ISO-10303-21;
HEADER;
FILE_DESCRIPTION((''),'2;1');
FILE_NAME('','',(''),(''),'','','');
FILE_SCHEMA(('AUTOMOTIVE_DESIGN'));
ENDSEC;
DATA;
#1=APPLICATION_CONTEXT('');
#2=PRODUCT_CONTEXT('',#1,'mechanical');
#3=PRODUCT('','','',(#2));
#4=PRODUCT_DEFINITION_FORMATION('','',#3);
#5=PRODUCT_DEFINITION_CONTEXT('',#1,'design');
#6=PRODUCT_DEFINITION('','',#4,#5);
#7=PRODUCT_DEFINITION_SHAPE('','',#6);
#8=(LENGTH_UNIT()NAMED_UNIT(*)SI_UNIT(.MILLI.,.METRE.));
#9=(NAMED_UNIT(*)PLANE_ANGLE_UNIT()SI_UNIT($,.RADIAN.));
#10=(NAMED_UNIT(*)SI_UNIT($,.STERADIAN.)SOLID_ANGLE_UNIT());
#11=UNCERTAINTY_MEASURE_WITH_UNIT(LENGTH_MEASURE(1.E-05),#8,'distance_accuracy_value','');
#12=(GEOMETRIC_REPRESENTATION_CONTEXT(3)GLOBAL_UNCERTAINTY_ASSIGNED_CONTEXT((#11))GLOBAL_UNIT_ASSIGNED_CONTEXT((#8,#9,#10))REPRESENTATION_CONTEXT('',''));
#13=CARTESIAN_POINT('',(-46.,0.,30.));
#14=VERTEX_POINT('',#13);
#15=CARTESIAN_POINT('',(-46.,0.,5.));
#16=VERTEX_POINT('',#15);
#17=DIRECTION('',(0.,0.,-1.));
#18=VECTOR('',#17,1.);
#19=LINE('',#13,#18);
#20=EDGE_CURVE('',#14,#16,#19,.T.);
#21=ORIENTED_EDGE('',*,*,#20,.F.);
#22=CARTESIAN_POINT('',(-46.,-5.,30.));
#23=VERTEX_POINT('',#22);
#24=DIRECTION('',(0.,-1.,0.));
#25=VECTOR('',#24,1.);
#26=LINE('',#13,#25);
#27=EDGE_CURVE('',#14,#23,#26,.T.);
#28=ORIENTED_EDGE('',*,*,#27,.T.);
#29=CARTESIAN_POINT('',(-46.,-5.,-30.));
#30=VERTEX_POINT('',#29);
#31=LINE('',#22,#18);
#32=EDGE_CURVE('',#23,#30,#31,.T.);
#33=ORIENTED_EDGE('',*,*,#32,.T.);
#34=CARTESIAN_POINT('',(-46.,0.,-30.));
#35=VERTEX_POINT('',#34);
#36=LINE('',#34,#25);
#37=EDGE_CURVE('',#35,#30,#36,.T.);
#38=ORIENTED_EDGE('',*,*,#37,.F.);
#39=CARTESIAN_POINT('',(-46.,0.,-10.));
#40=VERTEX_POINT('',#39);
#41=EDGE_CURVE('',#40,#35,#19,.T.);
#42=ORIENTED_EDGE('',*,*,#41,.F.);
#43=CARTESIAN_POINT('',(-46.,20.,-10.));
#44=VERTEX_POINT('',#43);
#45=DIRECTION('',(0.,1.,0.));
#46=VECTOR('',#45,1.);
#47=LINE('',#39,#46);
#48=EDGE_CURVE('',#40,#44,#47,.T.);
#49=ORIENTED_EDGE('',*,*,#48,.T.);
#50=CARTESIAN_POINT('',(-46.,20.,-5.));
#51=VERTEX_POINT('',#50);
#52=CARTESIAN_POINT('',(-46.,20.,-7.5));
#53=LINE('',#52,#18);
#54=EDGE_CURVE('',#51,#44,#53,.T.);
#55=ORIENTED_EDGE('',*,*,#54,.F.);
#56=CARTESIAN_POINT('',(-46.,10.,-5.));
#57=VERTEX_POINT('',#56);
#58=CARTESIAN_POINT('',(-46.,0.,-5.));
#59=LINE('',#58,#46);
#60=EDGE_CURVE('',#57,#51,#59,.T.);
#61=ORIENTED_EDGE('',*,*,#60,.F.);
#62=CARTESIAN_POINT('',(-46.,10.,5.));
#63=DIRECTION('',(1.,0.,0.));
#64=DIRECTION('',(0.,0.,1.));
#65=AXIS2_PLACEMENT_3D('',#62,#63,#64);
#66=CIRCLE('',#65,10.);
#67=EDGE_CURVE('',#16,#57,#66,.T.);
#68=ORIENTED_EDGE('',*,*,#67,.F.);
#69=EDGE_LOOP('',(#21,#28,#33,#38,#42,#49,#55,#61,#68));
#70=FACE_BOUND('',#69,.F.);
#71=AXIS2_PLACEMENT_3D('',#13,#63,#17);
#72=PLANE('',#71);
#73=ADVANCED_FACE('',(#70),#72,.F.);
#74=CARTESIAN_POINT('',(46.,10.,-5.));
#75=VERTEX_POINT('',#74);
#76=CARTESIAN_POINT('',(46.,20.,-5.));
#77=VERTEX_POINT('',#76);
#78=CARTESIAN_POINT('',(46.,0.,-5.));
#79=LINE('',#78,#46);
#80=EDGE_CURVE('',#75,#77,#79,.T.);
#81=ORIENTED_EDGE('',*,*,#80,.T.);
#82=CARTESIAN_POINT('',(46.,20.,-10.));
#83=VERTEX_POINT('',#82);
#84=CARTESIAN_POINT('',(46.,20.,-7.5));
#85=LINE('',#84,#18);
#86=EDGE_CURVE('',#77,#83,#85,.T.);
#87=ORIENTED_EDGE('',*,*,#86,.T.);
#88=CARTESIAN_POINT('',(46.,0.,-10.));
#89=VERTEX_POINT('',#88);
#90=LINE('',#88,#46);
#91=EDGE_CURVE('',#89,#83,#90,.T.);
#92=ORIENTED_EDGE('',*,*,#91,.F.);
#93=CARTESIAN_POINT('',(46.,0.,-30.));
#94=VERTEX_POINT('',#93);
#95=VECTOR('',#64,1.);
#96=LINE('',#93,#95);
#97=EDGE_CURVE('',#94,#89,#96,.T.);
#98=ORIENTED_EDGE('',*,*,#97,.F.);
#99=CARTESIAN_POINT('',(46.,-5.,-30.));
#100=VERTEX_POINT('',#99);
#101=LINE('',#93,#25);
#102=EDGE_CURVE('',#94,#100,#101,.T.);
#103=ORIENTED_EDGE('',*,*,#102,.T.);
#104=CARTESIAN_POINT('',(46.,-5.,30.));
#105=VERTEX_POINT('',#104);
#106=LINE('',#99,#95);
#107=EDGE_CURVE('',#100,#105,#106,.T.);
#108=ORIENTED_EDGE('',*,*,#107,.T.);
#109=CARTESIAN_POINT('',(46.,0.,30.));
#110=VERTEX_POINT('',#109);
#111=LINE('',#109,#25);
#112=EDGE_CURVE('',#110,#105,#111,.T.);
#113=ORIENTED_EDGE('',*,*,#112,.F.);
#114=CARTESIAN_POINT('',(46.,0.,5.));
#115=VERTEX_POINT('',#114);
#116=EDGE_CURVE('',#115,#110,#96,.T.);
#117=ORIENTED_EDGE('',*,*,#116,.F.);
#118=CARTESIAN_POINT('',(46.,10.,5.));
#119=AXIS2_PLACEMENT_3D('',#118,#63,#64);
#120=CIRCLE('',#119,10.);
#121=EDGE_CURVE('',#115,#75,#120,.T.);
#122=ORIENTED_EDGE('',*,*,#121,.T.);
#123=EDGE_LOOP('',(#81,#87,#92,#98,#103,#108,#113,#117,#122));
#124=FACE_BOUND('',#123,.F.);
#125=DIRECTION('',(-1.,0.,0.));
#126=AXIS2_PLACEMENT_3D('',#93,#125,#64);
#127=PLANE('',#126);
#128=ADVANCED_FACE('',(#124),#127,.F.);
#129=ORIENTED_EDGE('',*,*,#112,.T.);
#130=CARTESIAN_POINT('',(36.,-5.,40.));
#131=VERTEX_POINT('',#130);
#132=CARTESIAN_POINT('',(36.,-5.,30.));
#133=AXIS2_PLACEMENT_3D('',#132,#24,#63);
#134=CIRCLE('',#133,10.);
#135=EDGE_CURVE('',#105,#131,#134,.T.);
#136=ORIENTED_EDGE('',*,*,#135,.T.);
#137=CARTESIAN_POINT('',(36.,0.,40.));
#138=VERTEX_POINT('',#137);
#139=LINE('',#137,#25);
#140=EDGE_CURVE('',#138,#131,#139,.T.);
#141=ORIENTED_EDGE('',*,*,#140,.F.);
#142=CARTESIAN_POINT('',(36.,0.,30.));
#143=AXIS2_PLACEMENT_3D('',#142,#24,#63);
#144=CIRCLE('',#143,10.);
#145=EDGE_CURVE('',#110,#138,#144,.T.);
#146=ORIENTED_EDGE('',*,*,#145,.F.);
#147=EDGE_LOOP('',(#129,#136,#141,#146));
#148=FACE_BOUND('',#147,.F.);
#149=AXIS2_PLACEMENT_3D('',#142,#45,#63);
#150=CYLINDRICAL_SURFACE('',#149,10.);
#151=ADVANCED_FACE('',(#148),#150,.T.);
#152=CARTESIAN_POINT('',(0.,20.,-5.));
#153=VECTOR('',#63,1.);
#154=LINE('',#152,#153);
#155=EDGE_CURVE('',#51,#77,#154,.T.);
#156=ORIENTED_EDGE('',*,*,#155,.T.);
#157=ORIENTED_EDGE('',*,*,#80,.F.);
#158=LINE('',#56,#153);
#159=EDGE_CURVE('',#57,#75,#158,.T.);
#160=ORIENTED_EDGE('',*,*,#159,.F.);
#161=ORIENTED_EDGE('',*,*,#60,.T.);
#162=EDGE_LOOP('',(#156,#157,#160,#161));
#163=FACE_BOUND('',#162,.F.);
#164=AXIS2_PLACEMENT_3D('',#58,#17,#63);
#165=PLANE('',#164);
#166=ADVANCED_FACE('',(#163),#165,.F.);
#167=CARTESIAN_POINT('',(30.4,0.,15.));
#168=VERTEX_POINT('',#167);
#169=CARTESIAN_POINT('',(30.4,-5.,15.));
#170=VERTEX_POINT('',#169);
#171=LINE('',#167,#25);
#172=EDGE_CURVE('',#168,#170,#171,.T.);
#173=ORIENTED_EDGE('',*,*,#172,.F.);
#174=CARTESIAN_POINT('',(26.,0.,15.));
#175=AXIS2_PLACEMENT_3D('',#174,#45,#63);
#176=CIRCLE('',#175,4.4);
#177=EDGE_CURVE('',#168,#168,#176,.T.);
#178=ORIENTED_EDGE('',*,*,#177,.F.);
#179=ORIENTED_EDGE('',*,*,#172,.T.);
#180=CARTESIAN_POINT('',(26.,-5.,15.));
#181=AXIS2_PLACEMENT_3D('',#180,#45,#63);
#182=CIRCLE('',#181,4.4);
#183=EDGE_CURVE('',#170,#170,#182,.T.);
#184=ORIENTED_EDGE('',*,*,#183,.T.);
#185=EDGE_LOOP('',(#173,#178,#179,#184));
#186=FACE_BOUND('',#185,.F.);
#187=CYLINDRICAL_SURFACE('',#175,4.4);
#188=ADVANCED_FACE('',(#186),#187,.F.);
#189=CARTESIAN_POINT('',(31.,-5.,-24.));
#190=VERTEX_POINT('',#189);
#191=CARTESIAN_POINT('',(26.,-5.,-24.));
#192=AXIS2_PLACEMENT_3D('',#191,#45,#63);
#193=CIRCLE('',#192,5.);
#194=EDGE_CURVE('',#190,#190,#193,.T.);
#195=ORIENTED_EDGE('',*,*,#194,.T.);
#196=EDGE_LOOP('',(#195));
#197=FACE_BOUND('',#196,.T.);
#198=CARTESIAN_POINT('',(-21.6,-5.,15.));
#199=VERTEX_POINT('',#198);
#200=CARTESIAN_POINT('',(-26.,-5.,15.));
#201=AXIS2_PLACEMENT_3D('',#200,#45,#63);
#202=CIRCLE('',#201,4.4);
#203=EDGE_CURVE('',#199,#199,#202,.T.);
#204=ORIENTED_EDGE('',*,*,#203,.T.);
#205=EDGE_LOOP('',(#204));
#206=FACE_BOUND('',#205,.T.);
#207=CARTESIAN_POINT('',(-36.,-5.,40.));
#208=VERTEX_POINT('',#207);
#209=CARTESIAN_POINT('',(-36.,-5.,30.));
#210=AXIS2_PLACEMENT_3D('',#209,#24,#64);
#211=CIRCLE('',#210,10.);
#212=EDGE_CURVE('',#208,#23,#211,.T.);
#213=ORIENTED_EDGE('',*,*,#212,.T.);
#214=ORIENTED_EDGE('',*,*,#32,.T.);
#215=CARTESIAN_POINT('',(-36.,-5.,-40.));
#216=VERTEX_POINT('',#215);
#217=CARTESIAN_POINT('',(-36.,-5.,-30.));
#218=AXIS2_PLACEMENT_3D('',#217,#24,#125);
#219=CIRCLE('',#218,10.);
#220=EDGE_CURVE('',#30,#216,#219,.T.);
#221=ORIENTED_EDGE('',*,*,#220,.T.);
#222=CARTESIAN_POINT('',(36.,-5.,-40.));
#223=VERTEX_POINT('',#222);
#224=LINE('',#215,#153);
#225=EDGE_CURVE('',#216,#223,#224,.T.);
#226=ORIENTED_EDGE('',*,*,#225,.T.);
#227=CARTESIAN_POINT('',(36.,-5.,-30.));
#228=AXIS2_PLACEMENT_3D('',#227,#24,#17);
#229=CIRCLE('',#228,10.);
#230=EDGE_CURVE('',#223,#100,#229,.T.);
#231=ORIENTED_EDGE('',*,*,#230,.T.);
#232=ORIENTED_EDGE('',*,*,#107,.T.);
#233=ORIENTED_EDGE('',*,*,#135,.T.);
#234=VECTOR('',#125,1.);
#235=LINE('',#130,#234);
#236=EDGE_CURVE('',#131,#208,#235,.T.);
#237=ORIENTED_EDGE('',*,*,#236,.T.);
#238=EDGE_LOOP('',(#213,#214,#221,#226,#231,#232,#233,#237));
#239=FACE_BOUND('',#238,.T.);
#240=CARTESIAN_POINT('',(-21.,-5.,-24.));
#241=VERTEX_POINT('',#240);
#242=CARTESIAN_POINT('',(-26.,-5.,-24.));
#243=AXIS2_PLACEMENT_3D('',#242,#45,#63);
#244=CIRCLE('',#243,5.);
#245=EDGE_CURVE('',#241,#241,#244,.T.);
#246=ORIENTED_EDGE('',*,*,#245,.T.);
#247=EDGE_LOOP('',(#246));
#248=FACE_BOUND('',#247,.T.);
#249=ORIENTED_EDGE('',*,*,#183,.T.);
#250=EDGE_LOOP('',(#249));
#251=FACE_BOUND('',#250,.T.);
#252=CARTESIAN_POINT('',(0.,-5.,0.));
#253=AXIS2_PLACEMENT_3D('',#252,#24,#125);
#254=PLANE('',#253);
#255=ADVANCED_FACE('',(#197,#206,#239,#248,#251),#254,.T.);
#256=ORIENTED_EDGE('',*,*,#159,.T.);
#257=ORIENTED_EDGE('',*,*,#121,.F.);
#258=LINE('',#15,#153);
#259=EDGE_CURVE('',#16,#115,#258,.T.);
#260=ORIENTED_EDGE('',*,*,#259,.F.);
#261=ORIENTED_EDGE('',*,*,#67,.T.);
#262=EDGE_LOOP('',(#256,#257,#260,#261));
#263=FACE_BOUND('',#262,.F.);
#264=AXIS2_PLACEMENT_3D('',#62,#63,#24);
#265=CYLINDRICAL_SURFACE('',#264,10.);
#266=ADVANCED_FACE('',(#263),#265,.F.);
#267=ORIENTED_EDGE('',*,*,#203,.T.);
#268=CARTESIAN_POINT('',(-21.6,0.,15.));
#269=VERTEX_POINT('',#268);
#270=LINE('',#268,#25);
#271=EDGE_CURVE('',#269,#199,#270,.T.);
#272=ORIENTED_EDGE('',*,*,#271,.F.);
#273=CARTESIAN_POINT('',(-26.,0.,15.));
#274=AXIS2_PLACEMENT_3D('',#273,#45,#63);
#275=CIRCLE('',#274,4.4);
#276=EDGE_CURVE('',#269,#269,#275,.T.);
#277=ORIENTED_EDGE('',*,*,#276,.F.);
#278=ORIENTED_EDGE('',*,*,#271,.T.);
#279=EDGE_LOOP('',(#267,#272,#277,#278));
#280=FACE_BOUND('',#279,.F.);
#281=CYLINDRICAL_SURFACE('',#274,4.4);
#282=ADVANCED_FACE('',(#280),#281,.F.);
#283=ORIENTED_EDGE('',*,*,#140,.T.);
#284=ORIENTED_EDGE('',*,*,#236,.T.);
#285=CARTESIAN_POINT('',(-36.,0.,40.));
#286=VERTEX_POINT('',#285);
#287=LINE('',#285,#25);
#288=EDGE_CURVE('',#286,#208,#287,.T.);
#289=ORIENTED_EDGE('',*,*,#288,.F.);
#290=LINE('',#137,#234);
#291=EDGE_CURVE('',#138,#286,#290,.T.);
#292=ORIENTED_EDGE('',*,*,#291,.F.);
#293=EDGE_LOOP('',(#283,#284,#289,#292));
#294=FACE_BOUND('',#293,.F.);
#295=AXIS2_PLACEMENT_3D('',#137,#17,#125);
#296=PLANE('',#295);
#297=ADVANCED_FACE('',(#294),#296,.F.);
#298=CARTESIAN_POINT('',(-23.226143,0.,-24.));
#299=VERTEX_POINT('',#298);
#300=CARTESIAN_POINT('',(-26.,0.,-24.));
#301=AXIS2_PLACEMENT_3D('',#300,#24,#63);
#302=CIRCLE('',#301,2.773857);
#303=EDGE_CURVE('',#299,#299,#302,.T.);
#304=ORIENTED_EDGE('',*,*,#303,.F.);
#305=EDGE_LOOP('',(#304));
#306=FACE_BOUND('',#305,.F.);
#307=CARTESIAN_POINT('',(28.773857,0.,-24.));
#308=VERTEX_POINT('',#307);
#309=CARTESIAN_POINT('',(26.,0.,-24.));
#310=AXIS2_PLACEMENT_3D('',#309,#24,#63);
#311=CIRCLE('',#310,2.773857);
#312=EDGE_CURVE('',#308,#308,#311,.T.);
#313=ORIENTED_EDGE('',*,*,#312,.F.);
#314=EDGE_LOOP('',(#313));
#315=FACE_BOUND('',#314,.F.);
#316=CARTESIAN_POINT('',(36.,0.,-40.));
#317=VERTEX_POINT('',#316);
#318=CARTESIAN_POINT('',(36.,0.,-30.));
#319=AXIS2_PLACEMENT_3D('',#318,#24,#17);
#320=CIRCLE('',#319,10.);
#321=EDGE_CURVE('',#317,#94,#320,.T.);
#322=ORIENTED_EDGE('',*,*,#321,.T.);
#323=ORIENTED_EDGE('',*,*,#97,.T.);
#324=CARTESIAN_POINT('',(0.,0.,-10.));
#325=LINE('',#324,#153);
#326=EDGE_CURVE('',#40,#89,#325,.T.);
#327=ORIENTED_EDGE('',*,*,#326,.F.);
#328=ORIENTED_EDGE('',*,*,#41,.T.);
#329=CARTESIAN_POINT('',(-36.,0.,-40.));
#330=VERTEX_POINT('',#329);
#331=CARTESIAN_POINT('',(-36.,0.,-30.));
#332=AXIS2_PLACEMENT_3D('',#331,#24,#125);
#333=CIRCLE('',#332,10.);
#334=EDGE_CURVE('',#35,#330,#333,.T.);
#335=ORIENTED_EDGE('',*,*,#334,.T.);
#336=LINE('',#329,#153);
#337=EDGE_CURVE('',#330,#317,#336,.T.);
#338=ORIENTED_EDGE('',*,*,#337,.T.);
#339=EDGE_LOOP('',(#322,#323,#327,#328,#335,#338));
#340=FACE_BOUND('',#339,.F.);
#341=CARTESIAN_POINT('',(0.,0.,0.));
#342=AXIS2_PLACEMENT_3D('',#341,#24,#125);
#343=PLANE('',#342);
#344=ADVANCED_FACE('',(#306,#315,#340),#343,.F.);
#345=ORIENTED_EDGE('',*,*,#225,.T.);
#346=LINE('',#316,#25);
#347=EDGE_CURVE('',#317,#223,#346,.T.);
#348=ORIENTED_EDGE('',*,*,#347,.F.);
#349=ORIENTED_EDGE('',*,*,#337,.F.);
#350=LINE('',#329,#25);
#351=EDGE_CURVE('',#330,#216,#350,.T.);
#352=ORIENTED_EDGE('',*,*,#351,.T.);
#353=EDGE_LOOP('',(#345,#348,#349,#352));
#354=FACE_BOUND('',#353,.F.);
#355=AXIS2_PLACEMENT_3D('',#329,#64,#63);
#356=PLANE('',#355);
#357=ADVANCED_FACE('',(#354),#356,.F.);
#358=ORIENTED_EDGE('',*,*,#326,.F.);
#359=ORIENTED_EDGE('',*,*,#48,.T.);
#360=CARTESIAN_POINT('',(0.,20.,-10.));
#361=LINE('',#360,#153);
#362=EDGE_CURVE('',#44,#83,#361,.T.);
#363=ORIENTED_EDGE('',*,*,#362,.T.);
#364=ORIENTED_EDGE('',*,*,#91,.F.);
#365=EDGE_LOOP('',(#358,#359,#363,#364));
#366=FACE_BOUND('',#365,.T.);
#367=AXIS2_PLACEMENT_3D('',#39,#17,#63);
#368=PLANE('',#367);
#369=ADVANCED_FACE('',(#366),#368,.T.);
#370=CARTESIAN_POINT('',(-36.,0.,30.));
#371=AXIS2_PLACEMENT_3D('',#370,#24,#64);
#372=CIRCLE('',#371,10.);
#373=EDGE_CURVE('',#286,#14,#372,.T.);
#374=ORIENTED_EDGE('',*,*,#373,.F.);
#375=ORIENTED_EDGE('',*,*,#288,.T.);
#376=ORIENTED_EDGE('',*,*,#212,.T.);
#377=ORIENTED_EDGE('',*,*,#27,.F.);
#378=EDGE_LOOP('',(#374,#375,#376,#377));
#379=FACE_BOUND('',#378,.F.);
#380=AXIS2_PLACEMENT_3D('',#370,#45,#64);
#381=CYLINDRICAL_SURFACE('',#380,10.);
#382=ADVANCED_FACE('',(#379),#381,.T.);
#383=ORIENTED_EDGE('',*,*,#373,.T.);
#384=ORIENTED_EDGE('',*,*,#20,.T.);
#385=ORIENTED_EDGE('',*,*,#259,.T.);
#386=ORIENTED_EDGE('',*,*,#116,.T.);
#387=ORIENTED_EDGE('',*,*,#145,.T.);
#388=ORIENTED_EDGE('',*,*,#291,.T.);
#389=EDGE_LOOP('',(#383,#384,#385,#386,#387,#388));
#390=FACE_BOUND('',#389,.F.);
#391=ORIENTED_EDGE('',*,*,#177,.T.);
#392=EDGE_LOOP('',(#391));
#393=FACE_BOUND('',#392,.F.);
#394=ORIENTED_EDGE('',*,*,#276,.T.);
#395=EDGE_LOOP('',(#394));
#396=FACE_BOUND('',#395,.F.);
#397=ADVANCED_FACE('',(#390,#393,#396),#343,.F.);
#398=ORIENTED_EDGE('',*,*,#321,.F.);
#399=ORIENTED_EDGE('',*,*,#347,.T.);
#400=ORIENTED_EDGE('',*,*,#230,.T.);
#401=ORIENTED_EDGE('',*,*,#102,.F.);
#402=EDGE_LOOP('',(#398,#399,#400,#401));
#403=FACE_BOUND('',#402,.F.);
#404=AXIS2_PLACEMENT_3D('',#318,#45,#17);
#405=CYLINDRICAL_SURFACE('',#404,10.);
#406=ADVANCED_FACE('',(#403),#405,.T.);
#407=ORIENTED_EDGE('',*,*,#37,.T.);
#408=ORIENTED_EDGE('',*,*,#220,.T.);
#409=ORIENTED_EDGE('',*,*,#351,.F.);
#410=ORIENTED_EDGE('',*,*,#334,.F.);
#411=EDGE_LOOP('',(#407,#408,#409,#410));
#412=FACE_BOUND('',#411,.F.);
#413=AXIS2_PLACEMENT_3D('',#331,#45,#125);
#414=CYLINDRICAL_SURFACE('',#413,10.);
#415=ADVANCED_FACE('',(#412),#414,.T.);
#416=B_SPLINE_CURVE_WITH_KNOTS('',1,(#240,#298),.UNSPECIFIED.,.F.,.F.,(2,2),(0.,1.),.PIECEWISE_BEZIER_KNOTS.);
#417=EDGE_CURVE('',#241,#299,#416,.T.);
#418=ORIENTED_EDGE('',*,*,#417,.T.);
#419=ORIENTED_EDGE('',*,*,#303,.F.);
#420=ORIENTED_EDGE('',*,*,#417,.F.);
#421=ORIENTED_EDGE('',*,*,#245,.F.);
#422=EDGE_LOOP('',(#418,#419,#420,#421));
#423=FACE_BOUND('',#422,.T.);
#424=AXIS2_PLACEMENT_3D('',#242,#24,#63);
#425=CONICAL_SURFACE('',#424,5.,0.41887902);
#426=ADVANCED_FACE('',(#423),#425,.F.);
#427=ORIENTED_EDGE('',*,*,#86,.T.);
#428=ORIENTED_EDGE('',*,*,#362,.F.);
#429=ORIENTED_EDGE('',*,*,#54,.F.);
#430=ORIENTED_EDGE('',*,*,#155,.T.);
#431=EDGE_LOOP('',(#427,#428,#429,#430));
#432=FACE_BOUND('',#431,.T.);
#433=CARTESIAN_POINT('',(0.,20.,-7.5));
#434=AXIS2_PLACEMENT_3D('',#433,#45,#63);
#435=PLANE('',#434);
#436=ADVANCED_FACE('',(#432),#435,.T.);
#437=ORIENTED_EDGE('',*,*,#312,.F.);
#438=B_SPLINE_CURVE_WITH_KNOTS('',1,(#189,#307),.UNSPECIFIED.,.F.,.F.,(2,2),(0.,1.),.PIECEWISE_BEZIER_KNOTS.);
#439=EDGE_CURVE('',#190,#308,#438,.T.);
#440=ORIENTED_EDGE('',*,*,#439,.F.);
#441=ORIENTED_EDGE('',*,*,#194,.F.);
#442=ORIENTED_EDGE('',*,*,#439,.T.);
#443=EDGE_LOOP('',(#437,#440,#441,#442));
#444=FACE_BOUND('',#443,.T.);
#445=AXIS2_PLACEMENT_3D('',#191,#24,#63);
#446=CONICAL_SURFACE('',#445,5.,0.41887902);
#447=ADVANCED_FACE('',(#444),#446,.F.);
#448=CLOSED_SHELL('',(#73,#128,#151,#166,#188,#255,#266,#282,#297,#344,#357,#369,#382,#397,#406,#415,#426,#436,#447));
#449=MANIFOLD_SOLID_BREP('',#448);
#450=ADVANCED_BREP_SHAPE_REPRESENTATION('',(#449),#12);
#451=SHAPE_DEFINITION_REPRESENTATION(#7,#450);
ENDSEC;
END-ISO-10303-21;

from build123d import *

# Parameters (mm, degrees)
SKETCH1_R           = 4.4
BOSS_EXTRUDE1_DEPTH = 5
SKETCH2_W           = 92
SKETCH2_H           = 5
BOSS_EXTRUDE2_DEPTH = 20
FILLET1_R           = 10
SKETCH3_R           = 5
CUT_EXTRUDE1_DEPTH  = 5
CUT_EXTRUDE1_TAPER  = 24


with BuildPart() as part:
    # Sketch1 → Boss-Extrude1 (new body)
    with BuildSketch(Plane(origin=(0, 0, 0), x_dir=(1, 0, 0), z_dir=(0, 1, 0))):
        with BuildLine():
            Line((-36, 40), (36, 40))
            ThreePointArc((36, 40), (43.071067812, 37.071067812), (46, 30))
            Line((46, 30), (46, -30))
            ThreePointArc((46, -30), (43.071067812, -37.071067812), (36, -40))
            Line((36, -40), (-36, -40))
            ThreePointArc((-36, -40), (-43.071067812, -37.071067812), (-46, -30))
            Line((-46, -30), (-46, 30))
            ThreePointArc((-46, 30), (-43.071067812, 37.071067812), (-36, 40))
        make_face()
        with Locations((-26, -15)):
            Circle(SKETCH1_R, mode=Mode.SUBTRACT)
        with Locations((26, -15)):
            Circle(SKETCH1_R, mode=Mode.SUBTRACT)
    extrude(amount=-BOSS_EXTRUDE1_DEPTH)

    # Sketch2 → Boss-Extrude2 (add)
    with BuildSketch(Plane(origin=(0, 0, 0), x_dir=(1, 0, 0), z_dir=(0, 1, 0))):
        with Locations((0, 7.5)):
            Rectangle(SKETCH2_W, SKETCH2_H)
    extrude(amount=BOSS_EXTRUDE2_DEPTH)

    # Fillet1
    fillet1_edges = [part.edges().sort_by_distance(p)[0] for p in [
        (0, 0, -5),
    ]]
    fillet(fillet1_edges, radius=FILLET1_R)

    # Sketch3 → Cut-Extrude1 (cut)
    with BuildSketch(Plane.XZ.offset(5)):
        with Locations((-26, -24)):
            Circle(SKETCH3_R)
        with Locations((26, -24)):
            Circle(SKETCH3_R)
    extrude(amount=-CUT_EXTRUDE1_DEPTH, taper=CUT_EXTRUDE1_TAPER, mode=Mode.SUBTRACT)


solid = part.part
